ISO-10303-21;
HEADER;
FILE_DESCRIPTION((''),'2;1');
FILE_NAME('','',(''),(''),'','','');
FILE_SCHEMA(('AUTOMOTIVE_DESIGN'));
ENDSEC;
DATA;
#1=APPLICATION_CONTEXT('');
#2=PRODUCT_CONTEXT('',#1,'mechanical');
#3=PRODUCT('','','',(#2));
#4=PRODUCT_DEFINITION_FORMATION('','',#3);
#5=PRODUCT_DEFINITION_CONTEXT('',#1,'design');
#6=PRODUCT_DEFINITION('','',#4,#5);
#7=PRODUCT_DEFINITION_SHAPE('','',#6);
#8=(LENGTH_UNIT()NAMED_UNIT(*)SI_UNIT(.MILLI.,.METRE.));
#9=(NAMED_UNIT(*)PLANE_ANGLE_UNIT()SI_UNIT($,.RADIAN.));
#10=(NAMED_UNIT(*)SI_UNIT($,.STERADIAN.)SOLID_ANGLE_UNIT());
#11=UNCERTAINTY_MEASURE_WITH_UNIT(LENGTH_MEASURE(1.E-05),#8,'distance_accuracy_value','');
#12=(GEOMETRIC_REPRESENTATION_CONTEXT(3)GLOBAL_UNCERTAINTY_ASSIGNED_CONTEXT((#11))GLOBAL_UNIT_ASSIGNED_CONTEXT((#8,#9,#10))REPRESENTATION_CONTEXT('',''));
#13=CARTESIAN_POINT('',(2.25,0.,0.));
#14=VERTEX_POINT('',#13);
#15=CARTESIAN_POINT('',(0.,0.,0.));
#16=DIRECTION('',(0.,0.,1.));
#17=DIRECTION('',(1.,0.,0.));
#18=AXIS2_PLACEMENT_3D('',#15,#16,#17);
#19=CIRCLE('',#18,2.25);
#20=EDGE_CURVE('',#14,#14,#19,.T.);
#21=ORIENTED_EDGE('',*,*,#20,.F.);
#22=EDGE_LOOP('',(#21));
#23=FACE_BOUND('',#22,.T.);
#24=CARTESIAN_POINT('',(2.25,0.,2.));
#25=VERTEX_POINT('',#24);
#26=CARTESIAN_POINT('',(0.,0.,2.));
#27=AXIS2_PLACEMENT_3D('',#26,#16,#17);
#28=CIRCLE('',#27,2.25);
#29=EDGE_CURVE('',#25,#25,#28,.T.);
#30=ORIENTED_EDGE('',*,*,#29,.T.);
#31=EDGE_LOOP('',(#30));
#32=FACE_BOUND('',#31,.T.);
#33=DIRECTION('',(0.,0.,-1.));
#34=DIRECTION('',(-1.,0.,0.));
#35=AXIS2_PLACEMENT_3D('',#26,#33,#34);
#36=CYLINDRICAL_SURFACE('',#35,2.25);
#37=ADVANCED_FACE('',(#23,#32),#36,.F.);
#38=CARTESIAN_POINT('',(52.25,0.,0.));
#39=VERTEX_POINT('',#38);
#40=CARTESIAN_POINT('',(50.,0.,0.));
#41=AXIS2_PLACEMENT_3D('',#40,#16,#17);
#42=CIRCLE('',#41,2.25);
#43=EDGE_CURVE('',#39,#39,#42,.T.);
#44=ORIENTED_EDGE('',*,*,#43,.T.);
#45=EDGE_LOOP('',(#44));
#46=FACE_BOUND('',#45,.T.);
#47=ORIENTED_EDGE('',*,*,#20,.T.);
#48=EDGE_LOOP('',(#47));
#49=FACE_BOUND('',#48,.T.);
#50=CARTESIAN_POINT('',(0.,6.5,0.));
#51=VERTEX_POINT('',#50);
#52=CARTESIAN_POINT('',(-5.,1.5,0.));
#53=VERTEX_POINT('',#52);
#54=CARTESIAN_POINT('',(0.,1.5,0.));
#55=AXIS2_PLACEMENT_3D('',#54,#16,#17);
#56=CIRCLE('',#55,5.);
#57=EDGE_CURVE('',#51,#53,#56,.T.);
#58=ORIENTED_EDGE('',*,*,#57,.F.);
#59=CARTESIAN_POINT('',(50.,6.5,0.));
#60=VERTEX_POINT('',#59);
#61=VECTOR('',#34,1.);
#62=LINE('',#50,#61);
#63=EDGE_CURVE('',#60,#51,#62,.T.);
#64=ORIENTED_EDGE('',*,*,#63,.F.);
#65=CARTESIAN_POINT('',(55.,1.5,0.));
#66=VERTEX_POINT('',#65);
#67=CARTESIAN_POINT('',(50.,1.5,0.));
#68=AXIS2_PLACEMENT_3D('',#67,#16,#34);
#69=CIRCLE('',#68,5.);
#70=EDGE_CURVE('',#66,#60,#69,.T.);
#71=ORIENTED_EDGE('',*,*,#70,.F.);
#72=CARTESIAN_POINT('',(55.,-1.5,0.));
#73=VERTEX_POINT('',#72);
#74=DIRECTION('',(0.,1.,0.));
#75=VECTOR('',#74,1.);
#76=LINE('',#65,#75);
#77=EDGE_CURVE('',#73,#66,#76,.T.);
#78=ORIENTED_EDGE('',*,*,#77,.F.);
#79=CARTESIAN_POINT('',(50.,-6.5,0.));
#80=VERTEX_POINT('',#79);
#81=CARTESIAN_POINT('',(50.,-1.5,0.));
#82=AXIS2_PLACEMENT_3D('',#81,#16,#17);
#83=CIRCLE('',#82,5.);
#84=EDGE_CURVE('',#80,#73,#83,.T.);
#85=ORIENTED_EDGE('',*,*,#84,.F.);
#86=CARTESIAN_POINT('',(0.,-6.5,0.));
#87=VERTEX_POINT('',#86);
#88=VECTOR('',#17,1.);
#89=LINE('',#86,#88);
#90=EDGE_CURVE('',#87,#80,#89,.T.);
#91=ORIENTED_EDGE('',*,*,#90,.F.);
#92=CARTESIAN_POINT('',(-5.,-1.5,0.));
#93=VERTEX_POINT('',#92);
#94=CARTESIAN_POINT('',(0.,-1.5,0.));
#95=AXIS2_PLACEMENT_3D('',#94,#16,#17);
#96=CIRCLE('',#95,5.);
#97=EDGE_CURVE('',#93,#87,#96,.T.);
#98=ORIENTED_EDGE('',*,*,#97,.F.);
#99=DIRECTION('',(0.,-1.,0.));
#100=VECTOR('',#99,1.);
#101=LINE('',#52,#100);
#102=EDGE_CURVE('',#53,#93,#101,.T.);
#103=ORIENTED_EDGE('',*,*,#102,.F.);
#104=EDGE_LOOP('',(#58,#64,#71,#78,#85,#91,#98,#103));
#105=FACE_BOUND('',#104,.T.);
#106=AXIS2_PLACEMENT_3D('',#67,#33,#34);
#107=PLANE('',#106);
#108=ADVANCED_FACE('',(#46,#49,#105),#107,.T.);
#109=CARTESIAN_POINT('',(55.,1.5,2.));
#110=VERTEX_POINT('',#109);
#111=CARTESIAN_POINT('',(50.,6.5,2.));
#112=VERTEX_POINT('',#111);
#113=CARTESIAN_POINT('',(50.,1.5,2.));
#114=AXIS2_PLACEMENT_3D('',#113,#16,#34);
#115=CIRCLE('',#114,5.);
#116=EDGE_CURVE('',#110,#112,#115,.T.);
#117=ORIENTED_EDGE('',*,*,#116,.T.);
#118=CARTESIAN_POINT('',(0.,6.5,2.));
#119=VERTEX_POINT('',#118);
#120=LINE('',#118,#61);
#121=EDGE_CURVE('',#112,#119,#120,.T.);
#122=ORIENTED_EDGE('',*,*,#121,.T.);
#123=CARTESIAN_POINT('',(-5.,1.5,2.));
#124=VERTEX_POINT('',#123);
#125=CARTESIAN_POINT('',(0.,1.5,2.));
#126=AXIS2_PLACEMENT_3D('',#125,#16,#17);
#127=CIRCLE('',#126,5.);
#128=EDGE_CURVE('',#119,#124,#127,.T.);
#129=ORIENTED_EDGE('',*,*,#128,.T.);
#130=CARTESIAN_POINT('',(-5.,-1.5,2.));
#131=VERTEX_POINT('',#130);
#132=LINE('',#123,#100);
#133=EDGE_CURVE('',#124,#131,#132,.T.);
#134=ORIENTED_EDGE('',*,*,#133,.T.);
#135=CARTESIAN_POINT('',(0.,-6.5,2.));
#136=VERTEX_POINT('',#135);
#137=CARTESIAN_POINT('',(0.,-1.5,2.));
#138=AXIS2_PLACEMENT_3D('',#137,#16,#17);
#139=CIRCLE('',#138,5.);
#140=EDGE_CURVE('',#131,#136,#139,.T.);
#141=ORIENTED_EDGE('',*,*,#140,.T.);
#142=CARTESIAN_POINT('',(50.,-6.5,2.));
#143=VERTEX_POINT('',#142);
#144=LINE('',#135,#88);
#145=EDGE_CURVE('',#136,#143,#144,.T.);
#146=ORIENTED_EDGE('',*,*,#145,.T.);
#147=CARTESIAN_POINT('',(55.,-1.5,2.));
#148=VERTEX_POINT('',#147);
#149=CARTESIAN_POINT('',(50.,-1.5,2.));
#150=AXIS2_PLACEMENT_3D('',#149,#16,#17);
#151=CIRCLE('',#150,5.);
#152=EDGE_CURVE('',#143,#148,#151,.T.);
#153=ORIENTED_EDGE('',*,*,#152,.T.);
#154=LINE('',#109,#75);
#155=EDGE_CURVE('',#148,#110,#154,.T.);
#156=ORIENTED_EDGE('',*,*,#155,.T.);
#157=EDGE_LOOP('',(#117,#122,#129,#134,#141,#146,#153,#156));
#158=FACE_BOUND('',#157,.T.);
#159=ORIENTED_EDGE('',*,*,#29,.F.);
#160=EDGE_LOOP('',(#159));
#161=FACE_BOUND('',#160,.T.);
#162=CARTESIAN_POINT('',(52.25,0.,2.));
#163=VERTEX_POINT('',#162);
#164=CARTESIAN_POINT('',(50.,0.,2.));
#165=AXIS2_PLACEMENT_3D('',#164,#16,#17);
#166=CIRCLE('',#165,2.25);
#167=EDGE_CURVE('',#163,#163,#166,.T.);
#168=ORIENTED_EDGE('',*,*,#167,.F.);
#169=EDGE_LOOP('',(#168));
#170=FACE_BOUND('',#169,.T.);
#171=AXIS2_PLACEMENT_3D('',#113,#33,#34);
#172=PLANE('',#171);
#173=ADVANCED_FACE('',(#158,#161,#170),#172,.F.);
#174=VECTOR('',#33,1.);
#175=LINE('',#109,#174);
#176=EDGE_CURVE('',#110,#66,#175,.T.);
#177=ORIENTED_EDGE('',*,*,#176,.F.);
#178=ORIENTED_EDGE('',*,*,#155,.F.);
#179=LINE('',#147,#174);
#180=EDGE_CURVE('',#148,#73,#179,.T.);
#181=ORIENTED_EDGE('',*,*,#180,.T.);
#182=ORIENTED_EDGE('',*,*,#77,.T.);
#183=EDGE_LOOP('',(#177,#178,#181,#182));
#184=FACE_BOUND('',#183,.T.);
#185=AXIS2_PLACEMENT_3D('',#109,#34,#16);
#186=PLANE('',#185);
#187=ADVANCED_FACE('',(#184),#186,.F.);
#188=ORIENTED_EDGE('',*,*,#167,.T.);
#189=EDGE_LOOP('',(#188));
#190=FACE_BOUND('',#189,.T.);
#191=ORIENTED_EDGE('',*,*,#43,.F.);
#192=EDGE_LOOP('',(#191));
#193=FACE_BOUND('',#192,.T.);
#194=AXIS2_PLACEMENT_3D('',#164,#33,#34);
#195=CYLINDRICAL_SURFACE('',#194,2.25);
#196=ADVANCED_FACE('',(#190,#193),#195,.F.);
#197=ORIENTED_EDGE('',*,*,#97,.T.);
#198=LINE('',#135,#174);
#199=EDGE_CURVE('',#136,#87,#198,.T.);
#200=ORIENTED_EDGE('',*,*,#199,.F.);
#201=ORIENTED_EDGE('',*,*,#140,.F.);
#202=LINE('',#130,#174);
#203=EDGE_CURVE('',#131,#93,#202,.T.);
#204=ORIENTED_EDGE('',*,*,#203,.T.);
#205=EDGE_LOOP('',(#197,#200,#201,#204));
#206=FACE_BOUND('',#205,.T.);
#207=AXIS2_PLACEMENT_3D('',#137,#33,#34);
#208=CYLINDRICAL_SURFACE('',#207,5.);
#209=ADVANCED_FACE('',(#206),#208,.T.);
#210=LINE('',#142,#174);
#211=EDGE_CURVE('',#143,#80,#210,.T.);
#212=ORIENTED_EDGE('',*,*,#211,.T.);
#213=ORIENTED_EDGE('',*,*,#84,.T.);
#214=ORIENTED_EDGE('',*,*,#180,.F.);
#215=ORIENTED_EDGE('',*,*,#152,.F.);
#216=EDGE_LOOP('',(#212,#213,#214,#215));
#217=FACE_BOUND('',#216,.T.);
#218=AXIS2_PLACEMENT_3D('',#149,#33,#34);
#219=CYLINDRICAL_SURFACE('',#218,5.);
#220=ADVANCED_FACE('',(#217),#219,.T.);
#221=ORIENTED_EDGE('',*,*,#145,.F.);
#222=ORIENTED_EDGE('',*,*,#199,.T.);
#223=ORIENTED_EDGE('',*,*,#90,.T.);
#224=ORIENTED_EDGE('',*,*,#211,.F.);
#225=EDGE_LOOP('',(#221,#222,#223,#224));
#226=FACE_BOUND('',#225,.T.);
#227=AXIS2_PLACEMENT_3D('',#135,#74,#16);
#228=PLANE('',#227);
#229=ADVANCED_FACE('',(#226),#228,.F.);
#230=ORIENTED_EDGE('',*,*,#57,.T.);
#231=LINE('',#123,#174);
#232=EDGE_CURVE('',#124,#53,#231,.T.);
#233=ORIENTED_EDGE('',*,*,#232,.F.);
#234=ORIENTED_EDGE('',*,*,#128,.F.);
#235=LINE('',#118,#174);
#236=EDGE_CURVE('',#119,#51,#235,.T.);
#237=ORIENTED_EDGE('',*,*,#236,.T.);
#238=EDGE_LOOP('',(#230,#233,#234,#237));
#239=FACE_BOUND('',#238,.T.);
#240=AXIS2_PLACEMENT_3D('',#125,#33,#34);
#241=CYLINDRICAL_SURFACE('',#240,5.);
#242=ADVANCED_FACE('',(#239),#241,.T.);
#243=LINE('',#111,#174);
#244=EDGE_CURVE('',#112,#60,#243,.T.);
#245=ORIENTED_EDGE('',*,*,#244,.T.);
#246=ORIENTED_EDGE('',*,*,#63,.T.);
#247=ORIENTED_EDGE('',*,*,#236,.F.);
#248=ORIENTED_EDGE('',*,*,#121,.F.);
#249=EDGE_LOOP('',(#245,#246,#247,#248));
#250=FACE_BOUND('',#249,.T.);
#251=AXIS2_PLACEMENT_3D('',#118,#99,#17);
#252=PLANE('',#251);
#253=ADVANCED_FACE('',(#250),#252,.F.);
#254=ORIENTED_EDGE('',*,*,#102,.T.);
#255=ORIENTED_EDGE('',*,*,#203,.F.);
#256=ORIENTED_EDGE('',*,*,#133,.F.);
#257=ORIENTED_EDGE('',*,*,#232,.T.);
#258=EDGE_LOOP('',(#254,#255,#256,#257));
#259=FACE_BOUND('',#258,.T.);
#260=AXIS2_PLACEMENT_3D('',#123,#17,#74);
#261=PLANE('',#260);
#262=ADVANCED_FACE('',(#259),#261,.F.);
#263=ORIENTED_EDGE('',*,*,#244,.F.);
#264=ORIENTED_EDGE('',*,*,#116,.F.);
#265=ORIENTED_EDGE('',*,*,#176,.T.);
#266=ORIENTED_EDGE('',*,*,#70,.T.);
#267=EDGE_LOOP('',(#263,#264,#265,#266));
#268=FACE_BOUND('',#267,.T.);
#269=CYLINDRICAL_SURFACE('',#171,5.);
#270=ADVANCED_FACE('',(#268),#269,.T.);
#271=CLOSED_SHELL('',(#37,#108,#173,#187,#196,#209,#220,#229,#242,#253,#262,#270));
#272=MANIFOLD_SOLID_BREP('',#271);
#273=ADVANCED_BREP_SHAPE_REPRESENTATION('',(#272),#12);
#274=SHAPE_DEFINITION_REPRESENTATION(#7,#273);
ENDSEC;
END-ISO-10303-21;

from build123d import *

# Parameters (mm, degrees)
ESQUISSE1_R        = 2.25
BOSS_EXTRU_1_DEPTH = 2


with BuildPart() as part:
    # Esquisse1 → Boss.-Extru.1 (new body)
    with BuildSketch(Plane.XY):
        with BuildLine():
            Line((0, 6.5), (50, 6.5))
            ThreePointArc((50, 6.5), (53.535533906, 5.035533906), (55, 1.5))
            Line((55, 1.5), (55, -1.5))
            ThreePointArc((55, -1.5), (53.535533906, -5.035533906), (50, -6.5))
            Line((50, -6.5), (0, -6.5))
            ThreePointArc((0, -6.5), (-3.535533906, -5.035533906), (-5, -1.5))
            Line((-5, -1.5), (-5, 1.5))
            ThreePointArc((-5, 1.5), (-3.535533906, 5.035533906), (0, 6.5))
        make_face()
        Circle(ESQUISSE1_R, mode=Mode.SUBTRACT)
        with Locations((50, 0)):
            Circle(ESQUISSE1_R, mode=Mode.SUBTRACT)
    extrude(amount=BOSS_EXTRU_1_DEPTH)


solid = part.part
